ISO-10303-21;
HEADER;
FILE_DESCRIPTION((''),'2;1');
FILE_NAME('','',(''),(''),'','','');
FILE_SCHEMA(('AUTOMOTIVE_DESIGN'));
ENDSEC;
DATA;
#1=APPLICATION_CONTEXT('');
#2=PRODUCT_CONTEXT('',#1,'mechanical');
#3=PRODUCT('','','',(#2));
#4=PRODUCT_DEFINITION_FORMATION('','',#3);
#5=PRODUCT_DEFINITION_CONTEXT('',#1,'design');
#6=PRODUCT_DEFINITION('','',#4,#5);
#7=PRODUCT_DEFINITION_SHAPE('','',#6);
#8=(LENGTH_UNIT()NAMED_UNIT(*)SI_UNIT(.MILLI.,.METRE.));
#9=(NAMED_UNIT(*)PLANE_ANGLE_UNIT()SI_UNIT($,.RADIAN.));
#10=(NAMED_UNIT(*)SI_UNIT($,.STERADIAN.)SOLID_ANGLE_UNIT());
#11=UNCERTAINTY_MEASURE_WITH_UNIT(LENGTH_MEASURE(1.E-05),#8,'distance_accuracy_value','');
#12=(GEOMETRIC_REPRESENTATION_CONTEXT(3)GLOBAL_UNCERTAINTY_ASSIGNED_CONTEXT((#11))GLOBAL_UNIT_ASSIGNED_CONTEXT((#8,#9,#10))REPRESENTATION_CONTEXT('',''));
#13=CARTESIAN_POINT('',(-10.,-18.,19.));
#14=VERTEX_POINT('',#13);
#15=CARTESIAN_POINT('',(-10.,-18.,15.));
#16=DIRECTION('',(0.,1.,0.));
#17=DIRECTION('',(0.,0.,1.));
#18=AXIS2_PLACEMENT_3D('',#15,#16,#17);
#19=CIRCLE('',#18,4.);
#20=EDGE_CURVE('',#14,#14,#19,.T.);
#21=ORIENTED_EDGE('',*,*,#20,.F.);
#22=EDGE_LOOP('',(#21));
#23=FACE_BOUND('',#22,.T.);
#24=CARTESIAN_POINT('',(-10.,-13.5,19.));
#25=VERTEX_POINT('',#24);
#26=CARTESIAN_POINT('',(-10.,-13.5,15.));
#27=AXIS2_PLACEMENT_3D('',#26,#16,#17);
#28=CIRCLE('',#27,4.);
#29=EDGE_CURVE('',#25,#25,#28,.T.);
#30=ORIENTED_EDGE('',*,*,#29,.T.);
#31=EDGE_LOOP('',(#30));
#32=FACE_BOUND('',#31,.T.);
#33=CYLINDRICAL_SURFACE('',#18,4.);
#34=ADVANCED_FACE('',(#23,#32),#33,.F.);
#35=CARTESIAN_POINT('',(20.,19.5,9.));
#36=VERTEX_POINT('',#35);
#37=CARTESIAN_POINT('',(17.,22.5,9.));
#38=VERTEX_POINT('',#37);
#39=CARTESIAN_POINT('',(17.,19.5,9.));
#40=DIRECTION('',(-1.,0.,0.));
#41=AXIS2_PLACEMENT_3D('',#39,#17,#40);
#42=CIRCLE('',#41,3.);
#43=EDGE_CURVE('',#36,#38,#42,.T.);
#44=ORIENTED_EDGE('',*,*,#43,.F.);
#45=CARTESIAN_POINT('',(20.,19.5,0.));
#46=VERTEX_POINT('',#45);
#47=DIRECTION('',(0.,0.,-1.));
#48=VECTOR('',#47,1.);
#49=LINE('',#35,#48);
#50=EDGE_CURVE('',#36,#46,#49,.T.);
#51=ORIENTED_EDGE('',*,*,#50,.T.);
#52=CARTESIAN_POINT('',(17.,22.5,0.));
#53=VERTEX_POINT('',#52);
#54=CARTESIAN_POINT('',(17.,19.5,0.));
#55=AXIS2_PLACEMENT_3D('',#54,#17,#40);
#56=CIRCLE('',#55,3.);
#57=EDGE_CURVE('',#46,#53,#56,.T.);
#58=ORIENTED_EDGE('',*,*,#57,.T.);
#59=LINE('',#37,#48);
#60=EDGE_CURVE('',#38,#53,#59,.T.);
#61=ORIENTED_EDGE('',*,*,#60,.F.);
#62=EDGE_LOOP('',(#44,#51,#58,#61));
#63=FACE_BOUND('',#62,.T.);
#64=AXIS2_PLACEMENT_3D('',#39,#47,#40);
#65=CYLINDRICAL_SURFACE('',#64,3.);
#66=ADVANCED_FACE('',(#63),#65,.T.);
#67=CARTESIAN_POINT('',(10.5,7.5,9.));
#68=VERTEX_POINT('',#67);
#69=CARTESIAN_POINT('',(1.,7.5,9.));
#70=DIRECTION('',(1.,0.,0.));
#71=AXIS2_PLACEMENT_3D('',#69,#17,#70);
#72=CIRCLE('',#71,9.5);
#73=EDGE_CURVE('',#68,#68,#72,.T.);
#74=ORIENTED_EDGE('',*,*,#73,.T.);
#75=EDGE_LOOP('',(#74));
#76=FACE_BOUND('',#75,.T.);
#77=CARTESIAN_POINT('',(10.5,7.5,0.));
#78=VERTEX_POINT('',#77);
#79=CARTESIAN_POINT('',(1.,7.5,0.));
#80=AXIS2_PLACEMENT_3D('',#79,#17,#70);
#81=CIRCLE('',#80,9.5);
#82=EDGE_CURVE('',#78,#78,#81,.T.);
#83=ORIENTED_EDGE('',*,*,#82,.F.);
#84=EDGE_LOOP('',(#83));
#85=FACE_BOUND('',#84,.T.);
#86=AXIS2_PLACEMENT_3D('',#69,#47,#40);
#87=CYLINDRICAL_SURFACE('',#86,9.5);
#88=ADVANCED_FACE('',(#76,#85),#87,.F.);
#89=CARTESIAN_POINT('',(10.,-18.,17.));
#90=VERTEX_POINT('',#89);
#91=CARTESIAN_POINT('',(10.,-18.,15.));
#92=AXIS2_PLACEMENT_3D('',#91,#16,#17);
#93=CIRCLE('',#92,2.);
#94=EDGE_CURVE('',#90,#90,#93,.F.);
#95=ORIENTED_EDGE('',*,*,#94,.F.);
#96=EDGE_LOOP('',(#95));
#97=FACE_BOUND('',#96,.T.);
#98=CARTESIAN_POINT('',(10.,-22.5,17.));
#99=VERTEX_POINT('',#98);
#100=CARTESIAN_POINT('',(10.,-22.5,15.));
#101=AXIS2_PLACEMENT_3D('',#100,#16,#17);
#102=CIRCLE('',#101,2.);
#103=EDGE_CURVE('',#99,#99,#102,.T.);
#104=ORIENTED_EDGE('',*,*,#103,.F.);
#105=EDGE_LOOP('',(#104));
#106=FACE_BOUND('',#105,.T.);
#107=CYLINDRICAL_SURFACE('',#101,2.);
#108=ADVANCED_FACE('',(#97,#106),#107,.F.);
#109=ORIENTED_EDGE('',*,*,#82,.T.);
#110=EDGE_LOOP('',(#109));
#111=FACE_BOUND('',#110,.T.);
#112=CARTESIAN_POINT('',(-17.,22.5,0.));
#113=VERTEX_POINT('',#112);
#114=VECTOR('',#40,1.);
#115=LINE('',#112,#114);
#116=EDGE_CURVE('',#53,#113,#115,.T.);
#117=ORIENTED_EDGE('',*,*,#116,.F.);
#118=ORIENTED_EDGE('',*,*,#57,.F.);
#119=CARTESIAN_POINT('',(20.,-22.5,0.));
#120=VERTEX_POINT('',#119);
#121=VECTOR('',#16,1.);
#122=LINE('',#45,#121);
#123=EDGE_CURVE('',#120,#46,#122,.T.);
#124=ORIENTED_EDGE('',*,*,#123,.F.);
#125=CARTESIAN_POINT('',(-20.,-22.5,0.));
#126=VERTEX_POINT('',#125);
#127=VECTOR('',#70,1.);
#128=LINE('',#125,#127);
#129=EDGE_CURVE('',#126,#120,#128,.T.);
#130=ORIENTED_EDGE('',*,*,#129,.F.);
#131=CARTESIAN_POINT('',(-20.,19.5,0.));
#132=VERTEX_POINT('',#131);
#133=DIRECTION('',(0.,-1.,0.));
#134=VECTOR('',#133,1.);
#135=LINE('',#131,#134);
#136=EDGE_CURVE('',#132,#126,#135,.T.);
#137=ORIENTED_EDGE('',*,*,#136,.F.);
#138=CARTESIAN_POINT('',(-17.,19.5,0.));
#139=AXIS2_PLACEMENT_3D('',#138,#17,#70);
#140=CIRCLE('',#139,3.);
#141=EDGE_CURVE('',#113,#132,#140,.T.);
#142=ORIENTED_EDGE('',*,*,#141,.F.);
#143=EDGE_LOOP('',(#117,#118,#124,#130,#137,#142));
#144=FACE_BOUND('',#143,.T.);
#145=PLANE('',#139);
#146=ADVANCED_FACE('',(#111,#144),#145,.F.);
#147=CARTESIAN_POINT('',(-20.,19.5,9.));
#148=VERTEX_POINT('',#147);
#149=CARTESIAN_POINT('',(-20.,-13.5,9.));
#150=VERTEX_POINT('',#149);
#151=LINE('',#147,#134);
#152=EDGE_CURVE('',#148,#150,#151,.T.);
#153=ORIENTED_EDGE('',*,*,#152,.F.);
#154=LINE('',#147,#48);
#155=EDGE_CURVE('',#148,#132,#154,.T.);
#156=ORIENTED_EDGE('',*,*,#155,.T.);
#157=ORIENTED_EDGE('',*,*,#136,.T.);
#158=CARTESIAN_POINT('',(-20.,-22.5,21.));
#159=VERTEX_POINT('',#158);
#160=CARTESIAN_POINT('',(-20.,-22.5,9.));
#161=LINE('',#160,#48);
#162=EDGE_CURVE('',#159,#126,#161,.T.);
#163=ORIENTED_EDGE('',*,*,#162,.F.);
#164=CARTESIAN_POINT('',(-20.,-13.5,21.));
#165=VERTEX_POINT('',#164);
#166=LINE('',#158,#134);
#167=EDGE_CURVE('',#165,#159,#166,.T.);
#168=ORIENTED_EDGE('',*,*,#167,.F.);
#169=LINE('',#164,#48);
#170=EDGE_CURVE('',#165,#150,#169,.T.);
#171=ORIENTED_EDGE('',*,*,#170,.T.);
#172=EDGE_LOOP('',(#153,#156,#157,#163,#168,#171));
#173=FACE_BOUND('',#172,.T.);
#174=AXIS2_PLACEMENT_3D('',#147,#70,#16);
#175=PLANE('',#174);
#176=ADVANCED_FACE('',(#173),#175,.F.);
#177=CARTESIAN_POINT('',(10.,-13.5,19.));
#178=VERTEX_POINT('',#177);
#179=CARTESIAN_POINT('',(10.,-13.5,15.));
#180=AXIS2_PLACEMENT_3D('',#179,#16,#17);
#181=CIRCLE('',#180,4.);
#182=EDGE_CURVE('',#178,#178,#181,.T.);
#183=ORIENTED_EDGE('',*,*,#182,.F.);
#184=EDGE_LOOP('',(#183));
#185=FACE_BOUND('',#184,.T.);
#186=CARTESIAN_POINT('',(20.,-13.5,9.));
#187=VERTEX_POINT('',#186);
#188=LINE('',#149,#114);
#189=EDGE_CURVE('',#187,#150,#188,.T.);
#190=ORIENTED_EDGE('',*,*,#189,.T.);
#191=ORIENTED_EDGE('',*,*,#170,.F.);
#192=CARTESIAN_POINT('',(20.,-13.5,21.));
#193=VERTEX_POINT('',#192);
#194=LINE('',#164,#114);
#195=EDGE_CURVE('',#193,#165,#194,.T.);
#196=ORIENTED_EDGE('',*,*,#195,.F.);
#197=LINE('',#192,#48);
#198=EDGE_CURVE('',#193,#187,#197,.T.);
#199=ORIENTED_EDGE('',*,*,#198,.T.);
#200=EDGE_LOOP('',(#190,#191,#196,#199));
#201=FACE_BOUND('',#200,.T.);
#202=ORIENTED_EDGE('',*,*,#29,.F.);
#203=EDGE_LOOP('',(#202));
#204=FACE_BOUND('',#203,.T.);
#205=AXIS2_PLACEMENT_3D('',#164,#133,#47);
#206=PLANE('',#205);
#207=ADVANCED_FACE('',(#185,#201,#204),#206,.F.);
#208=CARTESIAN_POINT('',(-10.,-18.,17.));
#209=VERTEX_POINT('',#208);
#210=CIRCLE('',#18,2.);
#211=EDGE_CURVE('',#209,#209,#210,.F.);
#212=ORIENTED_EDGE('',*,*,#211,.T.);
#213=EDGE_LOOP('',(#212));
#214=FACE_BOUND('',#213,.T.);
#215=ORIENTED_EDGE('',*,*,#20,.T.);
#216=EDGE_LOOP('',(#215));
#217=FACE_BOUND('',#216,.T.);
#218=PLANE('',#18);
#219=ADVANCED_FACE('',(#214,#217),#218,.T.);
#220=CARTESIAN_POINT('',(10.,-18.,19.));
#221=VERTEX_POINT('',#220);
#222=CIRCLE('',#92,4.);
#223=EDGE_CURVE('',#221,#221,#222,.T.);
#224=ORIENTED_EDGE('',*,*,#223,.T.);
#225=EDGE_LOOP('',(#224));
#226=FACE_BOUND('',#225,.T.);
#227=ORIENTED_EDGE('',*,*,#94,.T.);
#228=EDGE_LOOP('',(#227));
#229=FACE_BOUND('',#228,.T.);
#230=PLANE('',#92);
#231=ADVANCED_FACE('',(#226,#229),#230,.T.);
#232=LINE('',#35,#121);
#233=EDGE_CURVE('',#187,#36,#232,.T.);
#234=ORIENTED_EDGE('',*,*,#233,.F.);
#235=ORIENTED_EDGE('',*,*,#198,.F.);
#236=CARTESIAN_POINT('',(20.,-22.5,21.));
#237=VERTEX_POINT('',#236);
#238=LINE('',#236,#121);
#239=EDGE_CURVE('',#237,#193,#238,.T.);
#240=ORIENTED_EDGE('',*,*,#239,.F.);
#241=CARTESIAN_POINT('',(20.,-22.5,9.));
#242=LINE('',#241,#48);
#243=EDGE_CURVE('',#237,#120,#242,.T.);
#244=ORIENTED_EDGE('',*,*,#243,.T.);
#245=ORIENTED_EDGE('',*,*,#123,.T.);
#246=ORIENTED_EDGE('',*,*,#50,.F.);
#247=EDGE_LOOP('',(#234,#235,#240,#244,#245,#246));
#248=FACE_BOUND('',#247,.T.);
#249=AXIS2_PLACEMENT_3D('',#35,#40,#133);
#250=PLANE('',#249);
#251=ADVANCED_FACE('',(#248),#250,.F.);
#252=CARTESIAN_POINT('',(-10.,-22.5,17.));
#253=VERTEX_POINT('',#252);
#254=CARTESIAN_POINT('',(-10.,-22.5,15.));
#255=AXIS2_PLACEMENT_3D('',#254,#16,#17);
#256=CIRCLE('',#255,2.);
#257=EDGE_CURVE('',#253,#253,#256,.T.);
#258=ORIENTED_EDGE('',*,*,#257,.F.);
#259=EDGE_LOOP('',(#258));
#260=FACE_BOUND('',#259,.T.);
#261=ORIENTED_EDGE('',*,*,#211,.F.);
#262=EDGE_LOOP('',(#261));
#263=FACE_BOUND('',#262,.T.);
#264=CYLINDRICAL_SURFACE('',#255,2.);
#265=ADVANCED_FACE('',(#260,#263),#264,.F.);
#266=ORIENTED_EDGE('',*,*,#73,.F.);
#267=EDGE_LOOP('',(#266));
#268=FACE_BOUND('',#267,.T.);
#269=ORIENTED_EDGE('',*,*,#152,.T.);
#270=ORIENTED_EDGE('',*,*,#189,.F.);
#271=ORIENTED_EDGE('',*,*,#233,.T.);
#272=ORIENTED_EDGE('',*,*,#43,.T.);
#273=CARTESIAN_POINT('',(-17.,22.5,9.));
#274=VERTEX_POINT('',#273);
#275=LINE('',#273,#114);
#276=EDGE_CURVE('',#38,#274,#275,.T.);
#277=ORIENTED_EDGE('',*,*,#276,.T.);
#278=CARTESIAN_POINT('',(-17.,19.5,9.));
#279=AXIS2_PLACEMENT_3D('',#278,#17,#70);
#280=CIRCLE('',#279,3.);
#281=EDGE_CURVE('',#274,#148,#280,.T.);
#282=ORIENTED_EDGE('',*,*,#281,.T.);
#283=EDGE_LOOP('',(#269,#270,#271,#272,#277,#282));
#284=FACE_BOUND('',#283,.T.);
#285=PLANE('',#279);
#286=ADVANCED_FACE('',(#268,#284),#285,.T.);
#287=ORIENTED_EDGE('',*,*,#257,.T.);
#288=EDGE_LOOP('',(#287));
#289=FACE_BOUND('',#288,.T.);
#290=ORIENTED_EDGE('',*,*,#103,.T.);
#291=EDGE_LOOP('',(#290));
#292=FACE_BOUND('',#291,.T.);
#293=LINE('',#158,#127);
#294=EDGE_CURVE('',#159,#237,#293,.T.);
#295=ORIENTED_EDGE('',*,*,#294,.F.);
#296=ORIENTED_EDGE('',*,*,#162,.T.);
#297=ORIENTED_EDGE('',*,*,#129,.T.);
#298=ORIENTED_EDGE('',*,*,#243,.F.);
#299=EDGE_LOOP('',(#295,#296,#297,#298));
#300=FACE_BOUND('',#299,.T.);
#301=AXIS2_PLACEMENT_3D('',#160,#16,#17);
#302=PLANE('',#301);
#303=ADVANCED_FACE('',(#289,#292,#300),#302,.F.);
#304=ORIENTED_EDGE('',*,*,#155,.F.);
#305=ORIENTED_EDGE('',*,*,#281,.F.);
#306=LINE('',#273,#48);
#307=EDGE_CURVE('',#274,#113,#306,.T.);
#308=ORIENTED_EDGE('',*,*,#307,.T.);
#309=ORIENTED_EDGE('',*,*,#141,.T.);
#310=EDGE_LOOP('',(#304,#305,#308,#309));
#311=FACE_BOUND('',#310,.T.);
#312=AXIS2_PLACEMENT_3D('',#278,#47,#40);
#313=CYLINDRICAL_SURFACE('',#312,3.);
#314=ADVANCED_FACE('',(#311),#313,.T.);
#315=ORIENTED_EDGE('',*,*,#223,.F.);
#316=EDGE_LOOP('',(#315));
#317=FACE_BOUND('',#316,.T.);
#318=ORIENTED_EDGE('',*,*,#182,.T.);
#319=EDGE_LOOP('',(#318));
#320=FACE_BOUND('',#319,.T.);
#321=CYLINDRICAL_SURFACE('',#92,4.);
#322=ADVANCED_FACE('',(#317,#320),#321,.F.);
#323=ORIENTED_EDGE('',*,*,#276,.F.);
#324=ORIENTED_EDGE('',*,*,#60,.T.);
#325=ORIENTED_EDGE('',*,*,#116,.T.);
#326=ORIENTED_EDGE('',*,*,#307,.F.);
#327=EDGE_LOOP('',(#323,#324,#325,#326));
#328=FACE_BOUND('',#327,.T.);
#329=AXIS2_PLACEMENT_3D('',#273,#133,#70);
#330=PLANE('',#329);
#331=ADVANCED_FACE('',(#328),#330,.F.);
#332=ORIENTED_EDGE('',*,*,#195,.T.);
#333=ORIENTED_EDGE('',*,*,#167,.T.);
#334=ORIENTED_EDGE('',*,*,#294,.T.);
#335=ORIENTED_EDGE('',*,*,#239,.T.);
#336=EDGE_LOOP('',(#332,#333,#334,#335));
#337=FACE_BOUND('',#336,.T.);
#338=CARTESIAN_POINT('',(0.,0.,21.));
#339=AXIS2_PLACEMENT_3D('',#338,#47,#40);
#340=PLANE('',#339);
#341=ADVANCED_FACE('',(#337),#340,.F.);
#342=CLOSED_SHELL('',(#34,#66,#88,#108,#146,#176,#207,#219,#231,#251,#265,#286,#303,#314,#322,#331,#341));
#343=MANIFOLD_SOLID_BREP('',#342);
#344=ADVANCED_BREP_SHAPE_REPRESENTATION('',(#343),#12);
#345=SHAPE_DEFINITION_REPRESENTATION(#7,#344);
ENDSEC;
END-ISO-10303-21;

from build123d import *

# Parameters (mm, degrees)
CROQUIS1_R              = 9.5
SALIENTE_EXTRUIR1_DEPTH = 9
CROQUIS3_W              = 40
CROQUIS3_H              = 9
SALIENTE_EXTRUIR2_DEPTH = 12
CROQUIS4_R              = 2
CORTAR_EXTRUIR1_DEPTH   = 47.227697325
CROQUIS5_R              = 4
CORTAR_EXTRUIR2_DEPTH   = 4.5


with BuildPart() as part:
    # Croquis1 → Saliente-Extruir1 (new body)
    with BuildSketch(Plane.XY):
        with BuildLine():
            Line((-17, 22.5), (17, 22.5))
            ThreePointArc((17, 22.5), (19.121320344, 21.621320344), (20, 19.5))
            Line((20, 19.5), (20, -22.5))
            Line((20, -22.5), (-20, -22.5))
            Line((-20, -22.5), (-20, 19.5))
            ThreePointArc((-20, 19.5), (-19.121320344, 21.621320344), (-17, 22.5))
        make_face()
        with Locations((1, 7.5)):
            Circle(CROQUIS1_R, mode=Mode.SUBTRACT)
    extrude(amount=SALIENTE_EXTRUIR1_DEPTH)

    # Croquis3 → Saliente-Extruir2 (add)
    with BuildSketch(Plane.XY.offset(9)):
        with Locations((0, -18)):
            Rectangle(CROQUIS3_W, CROQUIS3_H)
    extrude(amount=SALIENTE_EXTRUIR2_DEPTH)

    # Croquis4 → Cortar-Extruir1 (cut, through all)
    with BuildSketch(Plane(origin=(0, -13.5, 0), x_dir=(1, 0, 0), z_dir=(0, 1, 0))):
        with Locations(Location((-10, -15, 0), (0, 0, 270))):
            Circle(CROQUIS4_R)
        with Locations(Location((10, -15, 0), (0, 0, 270))):
            Circle(CROQUIS4_R)
    extrude(amount=-CORTAR_EXTRUIR1_DEPTH, mode=Mode.SUBTRACT)

    # Croquis5 → Cortar-Extruir2 (cut)
    with BuildSketch(Plane(origin=(0, -13.5, 0), x_dir=(1, 0, 0), z_dir=(0, 1, 0))):
        with Locations(Location((-10, -15, 0), (0, 0, 270))):
            Circle(CROQUIS5_R)
        with Locations(Location((10, -15, 0), (0, 0, 270))):
            Circle(CROQUIS5_R)
    extrude(amount=-CORTAR_EXTRUIR2_DEPTH, mode=Mode.SUBTRACT)


solid = part.part
